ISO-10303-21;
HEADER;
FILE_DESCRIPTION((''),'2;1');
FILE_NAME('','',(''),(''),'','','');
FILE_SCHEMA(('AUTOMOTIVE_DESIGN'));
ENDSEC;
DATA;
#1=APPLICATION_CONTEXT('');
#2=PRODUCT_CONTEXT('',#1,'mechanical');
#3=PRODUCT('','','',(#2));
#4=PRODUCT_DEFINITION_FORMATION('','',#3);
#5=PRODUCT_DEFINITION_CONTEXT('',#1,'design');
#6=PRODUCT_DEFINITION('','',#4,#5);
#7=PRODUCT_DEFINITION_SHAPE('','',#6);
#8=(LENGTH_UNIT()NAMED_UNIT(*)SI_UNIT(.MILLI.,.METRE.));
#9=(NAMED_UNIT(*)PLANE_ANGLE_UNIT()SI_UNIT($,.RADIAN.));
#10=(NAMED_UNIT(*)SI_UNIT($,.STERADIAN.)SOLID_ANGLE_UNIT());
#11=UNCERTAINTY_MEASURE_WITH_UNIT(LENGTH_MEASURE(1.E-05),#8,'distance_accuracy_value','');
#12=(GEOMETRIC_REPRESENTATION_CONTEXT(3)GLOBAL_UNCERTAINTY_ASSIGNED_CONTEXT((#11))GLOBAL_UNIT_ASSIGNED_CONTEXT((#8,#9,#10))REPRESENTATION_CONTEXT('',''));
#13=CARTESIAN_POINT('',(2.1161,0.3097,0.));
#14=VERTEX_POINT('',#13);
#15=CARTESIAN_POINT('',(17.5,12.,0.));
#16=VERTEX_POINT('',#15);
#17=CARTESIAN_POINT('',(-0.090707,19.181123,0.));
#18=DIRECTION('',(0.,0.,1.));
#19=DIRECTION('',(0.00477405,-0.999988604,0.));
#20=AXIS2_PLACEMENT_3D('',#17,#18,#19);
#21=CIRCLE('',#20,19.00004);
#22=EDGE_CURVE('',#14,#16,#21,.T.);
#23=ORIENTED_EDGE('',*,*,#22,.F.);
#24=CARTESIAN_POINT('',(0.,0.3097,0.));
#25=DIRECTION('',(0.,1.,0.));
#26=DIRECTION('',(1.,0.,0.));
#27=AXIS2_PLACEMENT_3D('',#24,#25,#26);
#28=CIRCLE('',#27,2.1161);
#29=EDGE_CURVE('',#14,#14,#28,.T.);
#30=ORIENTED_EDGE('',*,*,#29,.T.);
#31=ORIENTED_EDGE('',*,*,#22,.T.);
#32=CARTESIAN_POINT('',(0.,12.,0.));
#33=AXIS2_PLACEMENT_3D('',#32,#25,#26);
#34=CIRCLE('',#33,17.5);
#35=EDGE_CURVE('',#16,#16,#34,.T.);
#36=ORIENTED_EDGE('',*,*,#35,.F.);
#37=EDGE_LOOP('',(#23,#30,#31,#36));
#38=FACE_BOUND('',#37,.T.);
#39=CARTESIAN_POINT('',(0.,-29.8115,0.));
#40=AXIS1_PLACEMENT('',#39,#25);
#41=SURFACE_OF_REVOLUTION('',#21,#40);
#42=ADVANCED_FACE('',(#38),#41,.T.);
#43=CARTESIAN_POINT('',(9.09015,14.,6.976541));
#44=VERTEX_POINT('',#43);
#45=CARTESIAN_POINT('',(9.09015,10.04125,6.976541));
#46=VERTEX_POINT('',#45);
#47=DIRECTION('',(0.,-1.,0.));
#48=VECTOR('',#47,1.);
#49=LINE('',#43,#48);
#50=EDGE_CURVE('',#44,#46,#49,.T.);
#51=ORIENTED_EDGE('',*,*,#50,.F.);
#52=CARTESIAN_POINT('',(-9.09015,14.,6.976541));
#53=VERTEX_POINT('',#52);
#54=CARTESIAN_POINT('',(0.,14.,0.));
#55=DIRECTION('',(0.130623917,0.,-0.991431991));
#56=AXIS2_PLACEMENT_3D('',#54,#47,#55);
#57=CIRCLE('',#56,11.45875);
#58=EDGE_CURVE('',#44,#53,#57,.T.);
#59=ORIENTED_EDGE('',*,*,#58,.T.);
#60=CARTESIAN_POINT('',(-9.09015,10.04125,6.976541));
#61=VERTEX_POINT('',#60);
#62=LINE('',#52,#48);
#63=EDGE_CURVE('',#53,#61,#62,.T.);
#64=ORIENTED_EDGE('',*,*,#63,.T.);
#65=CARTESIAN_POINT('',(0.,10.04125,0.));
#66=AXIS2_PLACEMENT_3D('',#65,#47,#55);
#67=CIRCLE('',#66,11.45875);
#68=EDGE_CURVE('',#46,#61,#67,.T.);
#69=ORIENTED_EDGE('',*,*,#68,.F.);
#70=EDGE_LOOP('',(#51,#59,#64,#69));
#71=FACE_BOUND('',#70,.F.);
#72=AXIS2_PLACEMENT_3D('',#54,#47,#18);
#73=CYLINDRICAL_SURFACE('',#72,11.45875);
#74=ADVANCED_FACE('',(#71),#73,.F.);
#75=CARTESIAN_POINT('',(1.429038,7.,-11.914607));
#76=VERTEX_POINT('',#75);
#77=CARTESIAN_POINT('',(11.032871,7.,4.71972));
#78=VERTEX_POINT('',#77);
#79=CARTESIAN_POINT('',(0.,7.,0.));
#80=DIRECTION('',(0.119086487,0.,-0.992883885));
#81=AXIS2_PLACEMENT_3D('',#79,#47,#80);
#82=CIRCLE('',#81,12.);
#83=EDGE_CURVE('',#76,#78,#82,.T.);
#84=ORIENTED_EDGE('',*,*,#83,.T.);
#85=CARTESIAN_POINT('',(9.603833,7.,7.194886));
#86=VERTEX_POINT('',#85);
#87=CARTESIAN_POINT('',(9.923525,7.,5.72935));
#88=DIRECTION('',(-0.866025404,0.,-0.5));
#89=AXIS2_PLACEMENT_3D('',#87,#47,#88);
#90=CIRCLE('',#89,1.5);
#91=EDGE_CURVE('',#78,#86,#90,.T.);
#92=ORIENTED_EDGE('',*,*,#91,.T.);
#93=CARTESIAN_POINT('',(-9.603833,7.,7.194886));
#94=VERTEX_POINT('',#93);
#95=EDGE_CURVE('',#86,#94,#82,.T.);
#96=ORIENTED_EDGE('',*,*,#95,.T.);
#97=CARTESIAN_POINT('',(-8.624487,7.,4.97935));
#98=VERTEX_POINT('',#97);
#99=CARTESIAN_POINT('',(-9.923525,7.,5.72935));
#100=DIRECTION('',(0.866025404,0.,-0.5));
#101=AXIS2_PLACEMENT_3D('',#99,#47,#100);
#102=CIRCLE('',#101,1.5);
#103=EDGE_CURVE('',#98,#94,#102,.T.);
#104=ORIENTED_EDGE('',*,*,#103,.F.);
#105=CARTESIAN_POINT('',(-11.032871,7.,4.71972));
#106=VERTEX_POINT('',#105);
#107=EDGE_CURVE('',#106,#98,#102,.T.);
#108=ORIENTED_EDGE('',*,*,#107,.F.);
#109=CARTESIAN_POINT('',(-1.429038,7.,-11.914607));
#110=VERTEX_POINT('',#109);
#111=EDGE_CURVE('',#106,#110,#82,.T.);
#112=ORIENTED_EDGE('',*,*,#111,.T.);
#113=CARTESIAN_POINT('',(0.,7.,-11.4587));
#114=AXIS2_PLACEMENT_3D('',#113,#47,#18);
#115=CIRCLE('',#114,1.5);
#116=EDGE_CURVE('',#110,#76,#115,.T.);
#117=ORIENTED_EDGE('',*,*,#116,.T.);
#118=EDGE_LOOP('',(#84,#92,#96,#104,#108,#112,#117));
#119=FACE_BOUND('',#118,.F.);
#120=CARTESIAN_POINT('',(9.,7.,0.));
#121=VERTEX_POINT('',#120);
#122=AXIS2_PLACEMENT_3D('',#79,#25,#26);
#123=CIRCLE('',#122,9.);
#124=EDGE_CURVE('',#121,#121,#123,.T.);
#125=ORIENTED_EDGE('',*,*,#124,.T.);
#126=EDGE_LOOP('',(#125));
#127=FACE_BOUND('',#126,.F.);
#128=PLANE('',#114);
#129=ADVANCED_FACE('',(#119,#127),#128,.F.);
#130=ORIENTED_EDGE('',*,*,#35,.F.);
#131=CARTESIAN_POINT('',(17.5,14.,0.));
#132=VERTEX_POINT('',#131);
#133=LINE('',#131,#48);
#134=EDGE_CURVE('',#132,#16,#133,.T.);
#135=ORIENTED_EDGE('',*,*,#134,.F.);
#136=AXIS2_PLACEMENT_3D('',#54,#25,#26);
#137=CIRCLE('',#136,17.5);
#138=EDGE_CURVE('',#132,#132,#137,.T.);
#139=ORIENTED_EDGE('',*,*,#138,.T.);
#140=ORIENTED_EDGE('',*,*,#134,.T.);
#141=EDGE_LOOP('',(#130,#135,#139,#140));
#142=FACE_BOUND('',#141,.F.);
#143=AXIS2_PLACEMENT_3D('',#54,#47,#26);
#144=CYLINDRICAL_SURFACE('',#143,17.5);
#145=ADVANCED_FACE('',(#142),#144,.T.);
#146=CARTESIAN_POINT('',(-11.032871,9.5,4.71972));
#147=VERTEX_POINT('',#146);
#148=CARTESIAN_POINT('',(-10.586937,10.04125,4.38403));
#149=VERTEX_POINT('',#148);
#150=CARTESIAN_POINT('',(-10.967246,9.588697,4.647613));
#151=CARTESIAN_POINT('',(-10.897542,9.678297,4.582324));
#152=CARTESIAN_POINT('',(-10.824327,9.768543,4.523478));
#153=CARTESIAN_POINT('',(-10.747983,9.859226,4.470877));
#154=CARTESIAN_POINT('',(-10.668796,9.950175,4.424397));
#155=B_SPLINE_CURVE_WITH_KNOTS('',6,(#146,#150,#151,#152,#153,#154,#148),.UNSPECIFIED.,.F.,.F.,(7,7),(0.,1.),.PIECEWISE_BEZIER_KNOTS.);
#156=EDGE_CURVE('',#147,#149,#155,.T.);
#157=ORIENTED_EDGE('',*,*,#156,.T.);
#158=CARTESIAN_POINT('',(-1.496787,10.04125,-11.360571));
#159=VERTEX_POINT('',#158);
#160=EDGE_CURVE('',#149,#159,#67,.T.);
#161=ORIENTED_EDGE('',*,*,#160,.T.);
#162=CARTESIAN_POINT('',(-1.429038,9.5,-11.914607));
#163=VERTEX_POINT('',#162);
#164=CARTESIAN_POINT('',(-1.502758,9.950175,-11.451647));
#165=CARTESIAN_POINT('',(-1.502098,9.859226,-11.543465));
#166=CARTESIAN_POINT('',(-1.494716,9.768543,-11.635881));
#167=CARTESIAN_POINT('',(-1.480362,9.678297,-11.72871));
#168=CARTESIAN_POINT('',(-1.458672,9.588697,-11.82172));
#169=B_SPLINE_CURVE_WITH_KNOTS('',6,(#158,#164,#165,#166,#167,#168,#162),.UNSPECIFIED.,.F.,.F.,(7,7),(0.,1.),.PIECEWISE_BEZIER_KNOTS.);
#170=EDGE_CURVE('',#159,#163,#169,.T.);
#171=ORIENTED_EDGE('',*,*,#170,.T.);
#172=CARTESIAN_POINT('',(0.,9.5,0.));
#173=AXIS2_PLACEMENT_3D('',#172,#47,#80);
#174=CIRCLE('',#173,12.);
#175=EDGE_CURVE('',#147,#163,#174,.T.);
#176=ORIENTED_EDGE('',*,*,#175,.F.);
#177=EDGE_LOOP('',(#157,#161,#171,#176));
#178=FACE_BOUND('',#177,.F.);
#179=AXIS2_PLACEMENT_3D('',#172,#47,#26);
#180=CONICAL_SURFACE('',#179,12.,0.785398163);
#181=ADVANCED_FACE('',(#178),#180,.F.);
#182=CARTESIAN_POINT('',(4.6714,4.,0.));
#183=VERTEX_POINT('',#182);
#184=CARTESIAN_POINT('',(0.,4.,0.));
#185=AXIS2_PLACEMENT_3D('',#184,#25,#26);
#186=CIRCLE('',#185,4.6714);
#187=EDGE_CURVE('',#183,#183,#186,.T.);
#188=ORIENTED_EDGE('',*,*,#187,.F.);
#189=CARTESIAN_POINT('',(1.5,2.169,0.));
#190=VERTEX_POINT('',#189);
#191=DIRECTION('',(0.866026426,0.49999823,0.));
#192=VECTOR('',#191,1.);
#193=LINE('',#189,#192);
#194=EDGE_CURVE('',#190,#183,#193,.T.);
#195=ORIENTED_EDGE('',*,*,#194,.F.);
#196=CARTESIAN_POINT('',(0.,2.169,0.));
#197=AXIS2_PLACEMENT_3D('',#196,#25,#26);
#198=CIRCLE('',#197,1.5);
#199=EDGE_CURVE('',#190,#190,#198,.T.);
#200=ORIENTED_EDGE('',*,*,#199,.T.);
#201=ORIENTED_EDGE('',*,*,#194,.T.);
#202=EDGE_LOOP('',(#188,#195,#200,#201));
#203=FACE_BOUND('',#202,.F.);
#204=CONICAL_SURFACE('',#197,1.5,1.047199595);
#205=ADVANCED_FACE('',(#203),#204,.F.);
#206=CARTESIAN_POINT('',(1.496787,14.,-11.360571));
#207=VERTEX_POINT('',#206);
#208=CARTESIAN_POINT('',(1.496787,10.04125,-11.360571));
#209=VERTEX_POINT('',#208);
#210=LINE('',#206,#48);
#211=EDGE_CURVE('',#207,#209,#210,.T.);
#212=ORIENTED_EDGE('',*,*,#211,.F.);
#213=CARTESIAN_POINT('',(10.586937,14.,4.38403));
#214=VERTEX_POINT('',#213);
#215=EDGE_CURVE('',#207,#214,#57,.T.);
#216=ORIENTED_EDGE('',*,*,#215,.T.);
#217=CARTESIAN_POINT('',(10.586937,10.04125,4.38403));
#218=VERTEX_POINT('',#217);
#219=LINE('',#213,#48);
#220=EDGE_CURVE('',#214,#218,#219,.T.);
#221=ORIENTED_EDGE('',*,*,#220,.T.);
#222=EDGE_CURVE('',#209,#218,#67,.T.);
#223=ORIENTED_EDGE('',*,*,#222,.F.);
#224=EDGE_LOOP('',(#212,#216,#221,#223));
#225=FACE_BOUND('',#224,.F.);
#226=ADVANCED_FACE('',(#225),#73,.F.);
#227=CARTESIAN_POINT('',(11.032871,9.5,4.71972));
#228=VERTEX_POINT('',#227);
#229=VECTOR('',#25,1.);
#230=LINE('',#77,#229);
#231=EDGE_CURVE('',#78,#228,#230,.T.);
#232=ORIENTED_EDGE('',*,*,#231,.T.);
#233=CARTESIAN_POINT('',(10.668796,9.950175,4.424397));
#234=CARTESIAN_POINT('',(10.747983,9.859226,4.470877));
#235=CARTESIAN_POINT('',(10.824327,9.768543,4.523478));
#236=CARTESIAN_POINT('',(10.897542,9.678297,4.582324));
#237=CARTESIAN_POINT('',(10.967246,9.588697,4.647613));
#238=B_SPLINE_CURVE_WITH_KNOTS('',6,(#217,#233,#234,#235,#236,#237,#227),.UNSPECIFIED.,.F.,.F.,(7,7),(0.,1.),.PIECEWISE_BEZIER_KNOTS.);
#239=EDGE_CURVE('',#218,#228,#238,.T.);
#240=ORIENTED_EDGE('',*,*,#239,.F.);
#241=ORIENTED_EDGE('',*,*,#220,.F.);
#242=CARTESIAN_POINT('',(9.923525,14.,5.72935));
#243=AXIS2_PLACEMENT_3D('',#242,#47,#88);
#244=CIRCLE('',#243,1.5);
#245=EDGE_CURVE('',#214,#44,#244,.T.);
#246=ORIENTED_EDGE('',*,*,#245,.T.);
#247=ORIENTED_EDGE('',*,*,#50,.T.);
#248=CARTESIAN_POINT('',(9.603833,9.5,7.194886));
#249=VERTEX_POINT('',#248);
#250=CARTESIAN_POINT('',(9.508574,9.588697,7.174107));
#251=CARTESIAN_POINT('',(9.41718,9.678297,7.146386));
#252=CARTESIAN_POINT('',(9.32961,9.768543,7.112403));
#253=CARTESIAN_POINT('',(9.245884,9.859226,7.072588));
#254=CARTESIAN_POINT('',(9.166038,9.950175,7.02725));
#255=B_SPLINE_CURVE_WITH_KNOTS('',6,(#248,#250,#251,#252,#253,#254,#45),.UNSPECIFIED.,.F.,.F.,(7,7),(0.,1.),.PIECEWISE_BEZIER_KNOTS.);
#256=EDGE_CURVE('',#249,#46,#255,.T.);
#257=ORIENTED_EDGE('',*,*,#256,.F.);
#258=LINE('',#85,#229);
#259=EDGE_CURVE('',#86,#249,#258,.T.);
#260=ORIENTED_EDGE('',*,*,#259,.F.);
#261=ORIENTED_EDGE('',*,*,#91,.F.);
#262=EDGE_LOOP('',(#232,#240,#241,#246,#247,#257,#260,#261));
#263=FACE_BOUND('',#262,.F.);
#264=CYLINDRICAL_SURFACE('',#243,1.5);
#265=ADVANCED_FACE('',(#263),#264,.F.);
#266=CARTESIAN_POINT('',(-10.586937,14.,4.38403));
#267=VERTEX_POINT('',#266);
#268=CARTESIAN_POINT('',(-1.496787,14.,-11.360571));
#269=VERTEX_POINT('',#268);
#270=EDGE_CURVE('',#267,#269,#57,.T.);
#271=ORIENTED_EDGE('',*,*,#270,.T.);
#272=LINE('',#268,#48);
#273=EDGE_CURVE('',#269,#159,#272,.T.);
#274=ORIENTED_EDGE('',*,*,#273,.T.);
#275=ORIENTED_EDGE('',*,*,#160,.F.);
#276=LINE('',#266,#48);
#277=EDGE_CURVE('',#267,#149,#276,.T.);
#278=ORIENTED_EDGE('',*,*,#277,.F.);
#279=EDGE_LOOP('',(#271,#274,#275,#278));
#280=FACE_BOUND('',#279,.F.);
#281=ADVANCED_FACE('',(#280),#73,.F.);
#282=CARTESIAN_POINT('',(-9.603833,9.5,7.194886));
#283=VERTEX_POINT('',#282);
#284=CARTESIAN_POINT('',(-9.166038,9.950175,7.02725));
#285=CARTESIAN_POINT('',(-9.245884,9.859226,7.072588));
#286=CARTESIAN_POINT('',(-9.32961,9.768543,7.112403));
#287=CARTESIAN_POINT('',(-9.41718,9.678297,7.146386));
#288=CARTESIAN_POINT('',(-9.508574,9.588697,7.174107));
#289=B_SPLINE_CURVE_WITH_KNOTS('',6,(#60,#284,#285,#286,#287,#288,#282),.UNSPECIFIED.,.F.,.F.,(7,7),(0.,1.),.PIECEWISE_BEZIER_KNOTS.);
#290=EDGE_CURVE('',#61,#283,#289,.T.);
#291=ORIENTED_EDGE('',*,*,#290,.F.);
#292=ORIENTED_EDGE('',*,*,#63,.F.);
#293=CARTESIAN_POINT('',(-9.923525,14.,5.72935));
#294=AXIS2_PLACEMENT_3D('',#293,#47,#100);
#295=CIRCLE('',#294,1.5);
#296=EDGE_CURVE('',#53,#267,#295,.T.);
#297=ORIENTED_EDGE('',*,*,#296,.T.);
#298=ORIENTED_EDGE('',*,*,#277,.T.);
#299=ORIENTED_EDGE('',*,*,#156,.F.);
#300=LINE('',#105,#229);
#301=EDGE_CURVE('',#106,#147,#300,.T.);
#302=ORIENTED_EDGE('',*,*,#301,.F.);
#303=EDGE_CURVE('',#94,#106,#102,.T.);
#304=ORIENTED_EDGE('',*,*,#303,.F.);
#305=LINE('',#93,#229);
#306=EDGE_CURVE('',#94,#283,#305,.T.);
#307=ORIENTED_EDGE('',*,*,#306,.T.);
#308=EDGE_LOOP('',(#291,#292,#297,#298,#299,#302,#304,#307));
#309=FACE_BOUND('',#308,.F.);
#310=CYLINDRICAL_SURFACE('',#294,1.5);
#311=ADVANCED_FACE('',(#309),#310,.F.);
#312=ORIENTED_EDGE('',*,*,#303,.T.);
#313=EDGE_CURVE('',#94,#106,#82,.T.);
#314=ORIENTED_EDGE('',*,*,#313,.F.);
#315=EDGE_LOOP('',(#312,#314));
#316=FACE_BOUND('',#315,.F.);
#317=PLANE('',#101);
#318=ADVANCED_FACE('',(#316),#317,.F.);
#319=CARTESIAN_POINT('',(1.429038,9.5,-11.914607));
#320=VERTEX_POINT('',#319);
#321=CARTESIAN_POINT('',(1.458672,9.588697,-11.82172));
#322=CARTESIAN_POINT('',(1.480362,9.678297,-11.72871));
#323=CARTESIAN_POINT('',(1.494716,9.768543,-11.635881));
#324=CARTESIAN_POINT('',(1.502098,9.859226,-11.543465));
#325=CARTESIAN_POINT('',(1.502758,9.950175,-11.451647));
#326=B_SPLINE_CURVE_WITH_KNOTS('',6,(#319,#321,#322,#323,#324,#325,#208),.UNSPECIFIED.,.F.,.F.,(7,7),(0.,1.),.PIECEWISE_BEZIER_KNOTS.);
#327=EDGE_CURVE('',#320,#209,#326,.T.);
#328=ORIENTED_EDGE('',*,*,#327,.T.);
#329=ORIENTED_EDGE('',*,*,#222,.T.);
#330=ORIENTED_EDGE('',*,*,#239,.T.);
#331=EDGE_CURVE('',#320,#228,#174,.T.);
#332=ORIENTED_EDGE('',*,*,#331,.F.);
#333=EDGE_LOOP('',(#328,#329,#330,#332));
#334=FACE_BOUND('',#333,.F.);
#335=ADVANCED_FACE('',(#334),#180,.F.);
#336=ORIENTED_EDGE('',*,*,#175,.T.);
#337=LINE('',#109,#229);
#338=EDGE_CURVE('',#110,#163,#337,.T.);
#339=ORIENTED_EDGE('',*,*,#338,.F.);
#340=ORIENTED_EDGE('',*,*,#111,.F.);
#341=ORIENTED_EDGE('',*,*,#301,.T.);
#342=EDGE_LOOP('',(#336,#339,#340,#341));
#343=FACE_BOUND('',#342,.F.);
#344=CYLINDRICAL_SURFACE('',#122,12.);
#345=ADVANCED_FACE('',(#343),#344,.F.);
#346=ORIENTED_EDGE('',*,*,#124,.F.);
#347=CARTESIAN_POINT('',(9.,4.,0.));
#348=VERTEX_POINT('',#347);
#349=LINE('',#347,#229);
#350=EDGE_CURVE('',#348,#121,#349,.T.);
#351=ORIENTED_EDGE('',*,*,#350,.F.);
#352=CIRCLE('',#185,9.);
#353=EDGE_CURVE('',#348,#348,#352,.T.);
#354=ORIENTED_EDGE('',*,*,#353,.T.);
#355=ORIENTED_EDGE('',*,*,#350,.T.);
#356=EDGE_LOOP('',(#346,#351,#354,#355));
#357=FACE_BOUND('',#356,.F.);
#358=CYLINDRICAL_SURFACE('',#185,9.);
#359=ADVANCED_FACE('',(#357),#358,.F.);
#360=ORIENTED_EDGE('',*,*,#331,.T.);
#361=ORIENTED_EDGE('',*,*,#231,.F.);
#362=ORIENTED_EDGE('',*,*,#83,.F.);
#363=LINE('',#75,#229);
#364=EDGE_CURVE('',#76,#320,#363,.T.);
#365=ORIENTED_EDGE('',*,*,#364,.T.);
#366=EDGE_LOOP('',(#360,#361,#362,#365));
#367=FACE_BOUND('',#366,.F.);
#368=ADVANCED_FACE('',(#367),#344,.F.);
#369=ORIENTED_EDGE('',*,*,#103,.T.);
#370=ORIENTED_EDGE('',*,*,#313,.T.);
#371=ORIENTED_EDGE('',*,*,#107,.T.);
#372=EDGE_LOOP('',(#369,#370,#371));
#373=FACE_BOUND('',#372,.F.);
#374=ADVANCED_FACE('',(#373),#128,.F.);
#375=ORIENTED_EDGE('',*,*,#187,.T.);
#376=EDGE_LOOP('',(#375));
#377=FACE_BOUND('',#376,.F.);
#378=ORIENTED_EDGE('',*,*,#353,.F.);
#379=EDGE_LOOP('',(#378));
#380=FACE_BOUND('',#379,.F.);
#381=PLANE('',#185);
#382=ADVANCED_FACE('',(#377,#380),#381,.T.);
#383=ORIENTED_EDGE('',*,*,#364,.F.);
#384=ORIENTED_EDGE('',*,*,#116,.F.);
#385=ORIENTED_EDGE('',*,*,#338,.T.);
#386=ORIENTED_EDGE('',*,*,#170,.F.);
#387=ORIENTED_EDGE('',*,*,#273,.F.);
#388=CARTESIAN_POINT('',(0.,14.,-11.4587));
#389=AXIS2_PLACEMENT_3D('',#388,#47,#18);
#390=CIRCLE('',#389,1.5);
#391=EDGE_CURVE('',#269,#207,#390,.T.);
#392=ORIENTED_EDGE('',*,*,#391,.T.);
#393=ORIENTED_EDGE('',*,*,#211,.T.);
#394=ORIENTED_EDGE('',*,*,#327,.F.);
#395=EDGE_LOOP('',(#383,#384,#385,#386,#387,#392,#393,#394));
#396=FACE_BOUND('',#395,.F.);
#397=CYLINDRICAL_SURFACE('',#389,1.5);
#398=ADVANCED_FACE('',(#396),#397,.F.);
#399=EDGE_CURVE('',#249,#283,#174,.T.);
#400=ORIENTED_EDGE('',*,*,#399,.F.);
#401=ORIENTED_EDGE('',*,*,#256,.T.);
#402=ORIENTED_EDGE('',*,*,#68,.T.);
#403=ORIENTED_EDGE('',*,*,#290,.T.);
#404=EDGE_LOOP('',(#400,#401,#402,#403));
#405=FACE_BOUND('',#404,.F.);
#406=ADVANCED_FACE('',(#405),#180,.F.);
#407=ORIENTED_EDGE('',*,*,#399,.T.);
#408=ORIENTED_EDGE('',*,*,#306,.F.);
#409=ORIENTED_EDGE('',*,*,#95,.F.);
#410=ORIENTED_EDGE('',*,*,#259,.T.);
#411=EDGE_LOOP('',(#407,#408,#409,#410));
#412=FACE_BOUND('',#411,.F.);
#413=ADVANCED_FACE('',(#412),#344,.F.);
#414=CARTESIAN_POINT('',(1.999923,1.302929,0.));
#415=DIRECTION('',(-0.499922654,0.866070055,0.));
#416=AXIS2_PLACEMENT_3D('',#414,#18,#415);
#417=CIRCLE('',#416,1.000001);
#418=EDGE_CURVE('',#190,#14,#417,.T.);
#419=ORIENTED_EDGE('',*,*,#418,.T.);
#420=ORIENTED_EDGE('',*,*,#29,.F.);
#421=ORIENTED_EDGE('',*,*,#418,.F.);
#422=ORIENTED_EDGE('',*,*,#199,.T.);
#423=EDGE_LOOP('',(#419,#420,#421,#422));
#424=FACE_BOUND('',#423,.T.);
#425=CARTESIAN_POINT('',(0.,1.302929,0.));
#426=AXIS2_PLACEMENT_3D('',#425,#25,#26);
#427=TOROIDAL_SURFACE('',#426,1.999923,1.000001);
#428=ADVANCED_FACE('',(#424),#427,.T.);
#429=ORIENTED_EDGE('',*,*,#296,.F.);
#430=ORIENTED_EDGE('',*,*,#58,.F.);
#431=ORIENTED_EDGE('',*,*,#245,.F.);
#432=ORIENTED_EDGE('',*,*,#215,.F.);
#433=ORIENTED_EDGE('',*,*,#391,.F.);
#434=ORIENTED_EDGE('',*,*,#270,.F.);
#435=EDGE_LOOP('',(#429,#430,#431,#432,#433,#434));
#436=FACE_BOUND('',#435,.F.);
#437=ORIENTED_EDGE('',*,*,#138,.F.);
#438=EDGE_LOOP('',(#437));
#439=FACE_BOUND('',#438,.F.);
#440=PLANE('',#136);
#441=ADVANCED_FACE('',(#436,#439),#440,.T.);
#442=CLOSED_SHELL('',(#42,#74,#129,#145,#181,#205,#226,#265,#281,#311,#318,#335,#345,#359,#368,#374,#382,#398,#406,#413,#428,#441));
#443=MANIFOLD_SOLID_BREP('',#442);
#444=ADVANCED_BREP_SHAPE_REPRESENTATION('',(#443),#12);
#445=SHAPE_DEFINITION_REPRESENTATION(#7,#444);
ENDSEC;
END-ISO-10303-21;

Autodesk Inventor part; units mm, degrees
ref_plane "YZ Plane" through (0, 0, 0) normal (1, 0, 0) x (0, 1, 0)
ref_plane "XZ Plane" through (0, 0, 0) normal (0, 1, 0) x (-1, 0, 0)
ref_plane "XY Plane" through (0, 0, 0) normal (0, 0, 1) x (1, 0, 0)
sketch "Sketch1" plane through (0, 0, 0) normal (0, 0, 1) x (1, 0, 0)
  line L0 (-35.8694, 36.1667) -> (26.1213, 35.095) construction
  line L1 (26.1213, 35.095) -> (24.9917, -30.2436) construction
  line L2 (24.9917, -30.2436) -> (-36.999, -29.1719) construction
  line L3 (-36.999, -29.1719) -> (-35.8694, 36.1667) construction
  line L4 (0, -29.8115) -> (0, 35.5466) construction
  line L5 (-17.5, 14) -> (17.5, 14)
  line L6 (17.5, 14) -> (17.5, 12)
  arc A0 (0, 0.1813) -> (17.5, 12) centre (-0.0907, 19.1811) ccw
  arc A1 (1.5, 2.169) -> (2.1161, 0.3097) centre (2, 1.3029) ccw
  line L7 (12, 7) -> (12, 9.5)
  line L8 (12, 9.5) -> (11, 10.5)
  line L9 (11, 10.5) -> (11, 14)
  line L10 (4.6714, 4) -> (9, 4)
  line L11 (9, 4) -> (9, 7)
  line L12 (9, 7) -> (12, 7)
  line L13 (1.5, 2.169) -> (4.6714, 4)
  line L14 (1.5, 2.169) -> (0, 1.3029)
  point P0 (0, 0)
  point P1 (0, 14)
  point P2 (0, 0)
  dimension "d3" = 26.1213
  dimension "d7" = 24.9955
  dimension "d9" = 35
  dimension "d10" = 62
  dimension "d18" = 21.5466
  dimension "d19" = 14
  dimension "d26" = 19
  dimension "d27" = 1
  dimension "d34" = 22
  dimension "d38" = 135
  dimension "d39" = 2
  dimension "d41" = 2
  dimension "d44" = 24
  dimension "d54" = 11.831
  dimension "d82" = 18
  dimension "d83" = 10
  dimension "d86" = 7
  dimension "d87" = 3.5
  dimension "d90" = 150
revolve "Revolution1" add sketch "Sketch1" angle 360 about axis through (0, -29.8115, 0) along (0, 1, 0)
sketch "Sketch2" plane through (0, 14, 0) normal (0, 1, 0) x (1, 0, 0)
  circle A0 centre (0, 0) radius 11 projected
  point P0 (0, 0)
hole "Hole1" at (0, 14, 0) direction (0, -1, 0) diameter 22.9175 depth 5 thread size "M24x1" class "6H" standard "ISO Metric profile"
sketch "Sketch3" plane through (0, 14, 0) normal (0, 1, 0) x (1, 0, 0)
  circle A0 centre (0, 0) radius 11.4587 projected
  point P0 (0, 0)
  point P1 (0, 11.4587)
hole "Hole2" at (0, 14, -11.4587) direction (0, -1, 0) diameter 3 depth 7
pattern_circular "Circular Pattern1" count 3 over 360 about axis through (0, 13, 0) along (0, -1, 0) of "Hole2"
equation "\"d3\" = 0.421311 * d10"
equation "\"d7\" = 0.403153 * d10"
equation "\"d18\" = 0.347525 * d10"
properties part number "015" material "Stainless Steel, Austenitic"
